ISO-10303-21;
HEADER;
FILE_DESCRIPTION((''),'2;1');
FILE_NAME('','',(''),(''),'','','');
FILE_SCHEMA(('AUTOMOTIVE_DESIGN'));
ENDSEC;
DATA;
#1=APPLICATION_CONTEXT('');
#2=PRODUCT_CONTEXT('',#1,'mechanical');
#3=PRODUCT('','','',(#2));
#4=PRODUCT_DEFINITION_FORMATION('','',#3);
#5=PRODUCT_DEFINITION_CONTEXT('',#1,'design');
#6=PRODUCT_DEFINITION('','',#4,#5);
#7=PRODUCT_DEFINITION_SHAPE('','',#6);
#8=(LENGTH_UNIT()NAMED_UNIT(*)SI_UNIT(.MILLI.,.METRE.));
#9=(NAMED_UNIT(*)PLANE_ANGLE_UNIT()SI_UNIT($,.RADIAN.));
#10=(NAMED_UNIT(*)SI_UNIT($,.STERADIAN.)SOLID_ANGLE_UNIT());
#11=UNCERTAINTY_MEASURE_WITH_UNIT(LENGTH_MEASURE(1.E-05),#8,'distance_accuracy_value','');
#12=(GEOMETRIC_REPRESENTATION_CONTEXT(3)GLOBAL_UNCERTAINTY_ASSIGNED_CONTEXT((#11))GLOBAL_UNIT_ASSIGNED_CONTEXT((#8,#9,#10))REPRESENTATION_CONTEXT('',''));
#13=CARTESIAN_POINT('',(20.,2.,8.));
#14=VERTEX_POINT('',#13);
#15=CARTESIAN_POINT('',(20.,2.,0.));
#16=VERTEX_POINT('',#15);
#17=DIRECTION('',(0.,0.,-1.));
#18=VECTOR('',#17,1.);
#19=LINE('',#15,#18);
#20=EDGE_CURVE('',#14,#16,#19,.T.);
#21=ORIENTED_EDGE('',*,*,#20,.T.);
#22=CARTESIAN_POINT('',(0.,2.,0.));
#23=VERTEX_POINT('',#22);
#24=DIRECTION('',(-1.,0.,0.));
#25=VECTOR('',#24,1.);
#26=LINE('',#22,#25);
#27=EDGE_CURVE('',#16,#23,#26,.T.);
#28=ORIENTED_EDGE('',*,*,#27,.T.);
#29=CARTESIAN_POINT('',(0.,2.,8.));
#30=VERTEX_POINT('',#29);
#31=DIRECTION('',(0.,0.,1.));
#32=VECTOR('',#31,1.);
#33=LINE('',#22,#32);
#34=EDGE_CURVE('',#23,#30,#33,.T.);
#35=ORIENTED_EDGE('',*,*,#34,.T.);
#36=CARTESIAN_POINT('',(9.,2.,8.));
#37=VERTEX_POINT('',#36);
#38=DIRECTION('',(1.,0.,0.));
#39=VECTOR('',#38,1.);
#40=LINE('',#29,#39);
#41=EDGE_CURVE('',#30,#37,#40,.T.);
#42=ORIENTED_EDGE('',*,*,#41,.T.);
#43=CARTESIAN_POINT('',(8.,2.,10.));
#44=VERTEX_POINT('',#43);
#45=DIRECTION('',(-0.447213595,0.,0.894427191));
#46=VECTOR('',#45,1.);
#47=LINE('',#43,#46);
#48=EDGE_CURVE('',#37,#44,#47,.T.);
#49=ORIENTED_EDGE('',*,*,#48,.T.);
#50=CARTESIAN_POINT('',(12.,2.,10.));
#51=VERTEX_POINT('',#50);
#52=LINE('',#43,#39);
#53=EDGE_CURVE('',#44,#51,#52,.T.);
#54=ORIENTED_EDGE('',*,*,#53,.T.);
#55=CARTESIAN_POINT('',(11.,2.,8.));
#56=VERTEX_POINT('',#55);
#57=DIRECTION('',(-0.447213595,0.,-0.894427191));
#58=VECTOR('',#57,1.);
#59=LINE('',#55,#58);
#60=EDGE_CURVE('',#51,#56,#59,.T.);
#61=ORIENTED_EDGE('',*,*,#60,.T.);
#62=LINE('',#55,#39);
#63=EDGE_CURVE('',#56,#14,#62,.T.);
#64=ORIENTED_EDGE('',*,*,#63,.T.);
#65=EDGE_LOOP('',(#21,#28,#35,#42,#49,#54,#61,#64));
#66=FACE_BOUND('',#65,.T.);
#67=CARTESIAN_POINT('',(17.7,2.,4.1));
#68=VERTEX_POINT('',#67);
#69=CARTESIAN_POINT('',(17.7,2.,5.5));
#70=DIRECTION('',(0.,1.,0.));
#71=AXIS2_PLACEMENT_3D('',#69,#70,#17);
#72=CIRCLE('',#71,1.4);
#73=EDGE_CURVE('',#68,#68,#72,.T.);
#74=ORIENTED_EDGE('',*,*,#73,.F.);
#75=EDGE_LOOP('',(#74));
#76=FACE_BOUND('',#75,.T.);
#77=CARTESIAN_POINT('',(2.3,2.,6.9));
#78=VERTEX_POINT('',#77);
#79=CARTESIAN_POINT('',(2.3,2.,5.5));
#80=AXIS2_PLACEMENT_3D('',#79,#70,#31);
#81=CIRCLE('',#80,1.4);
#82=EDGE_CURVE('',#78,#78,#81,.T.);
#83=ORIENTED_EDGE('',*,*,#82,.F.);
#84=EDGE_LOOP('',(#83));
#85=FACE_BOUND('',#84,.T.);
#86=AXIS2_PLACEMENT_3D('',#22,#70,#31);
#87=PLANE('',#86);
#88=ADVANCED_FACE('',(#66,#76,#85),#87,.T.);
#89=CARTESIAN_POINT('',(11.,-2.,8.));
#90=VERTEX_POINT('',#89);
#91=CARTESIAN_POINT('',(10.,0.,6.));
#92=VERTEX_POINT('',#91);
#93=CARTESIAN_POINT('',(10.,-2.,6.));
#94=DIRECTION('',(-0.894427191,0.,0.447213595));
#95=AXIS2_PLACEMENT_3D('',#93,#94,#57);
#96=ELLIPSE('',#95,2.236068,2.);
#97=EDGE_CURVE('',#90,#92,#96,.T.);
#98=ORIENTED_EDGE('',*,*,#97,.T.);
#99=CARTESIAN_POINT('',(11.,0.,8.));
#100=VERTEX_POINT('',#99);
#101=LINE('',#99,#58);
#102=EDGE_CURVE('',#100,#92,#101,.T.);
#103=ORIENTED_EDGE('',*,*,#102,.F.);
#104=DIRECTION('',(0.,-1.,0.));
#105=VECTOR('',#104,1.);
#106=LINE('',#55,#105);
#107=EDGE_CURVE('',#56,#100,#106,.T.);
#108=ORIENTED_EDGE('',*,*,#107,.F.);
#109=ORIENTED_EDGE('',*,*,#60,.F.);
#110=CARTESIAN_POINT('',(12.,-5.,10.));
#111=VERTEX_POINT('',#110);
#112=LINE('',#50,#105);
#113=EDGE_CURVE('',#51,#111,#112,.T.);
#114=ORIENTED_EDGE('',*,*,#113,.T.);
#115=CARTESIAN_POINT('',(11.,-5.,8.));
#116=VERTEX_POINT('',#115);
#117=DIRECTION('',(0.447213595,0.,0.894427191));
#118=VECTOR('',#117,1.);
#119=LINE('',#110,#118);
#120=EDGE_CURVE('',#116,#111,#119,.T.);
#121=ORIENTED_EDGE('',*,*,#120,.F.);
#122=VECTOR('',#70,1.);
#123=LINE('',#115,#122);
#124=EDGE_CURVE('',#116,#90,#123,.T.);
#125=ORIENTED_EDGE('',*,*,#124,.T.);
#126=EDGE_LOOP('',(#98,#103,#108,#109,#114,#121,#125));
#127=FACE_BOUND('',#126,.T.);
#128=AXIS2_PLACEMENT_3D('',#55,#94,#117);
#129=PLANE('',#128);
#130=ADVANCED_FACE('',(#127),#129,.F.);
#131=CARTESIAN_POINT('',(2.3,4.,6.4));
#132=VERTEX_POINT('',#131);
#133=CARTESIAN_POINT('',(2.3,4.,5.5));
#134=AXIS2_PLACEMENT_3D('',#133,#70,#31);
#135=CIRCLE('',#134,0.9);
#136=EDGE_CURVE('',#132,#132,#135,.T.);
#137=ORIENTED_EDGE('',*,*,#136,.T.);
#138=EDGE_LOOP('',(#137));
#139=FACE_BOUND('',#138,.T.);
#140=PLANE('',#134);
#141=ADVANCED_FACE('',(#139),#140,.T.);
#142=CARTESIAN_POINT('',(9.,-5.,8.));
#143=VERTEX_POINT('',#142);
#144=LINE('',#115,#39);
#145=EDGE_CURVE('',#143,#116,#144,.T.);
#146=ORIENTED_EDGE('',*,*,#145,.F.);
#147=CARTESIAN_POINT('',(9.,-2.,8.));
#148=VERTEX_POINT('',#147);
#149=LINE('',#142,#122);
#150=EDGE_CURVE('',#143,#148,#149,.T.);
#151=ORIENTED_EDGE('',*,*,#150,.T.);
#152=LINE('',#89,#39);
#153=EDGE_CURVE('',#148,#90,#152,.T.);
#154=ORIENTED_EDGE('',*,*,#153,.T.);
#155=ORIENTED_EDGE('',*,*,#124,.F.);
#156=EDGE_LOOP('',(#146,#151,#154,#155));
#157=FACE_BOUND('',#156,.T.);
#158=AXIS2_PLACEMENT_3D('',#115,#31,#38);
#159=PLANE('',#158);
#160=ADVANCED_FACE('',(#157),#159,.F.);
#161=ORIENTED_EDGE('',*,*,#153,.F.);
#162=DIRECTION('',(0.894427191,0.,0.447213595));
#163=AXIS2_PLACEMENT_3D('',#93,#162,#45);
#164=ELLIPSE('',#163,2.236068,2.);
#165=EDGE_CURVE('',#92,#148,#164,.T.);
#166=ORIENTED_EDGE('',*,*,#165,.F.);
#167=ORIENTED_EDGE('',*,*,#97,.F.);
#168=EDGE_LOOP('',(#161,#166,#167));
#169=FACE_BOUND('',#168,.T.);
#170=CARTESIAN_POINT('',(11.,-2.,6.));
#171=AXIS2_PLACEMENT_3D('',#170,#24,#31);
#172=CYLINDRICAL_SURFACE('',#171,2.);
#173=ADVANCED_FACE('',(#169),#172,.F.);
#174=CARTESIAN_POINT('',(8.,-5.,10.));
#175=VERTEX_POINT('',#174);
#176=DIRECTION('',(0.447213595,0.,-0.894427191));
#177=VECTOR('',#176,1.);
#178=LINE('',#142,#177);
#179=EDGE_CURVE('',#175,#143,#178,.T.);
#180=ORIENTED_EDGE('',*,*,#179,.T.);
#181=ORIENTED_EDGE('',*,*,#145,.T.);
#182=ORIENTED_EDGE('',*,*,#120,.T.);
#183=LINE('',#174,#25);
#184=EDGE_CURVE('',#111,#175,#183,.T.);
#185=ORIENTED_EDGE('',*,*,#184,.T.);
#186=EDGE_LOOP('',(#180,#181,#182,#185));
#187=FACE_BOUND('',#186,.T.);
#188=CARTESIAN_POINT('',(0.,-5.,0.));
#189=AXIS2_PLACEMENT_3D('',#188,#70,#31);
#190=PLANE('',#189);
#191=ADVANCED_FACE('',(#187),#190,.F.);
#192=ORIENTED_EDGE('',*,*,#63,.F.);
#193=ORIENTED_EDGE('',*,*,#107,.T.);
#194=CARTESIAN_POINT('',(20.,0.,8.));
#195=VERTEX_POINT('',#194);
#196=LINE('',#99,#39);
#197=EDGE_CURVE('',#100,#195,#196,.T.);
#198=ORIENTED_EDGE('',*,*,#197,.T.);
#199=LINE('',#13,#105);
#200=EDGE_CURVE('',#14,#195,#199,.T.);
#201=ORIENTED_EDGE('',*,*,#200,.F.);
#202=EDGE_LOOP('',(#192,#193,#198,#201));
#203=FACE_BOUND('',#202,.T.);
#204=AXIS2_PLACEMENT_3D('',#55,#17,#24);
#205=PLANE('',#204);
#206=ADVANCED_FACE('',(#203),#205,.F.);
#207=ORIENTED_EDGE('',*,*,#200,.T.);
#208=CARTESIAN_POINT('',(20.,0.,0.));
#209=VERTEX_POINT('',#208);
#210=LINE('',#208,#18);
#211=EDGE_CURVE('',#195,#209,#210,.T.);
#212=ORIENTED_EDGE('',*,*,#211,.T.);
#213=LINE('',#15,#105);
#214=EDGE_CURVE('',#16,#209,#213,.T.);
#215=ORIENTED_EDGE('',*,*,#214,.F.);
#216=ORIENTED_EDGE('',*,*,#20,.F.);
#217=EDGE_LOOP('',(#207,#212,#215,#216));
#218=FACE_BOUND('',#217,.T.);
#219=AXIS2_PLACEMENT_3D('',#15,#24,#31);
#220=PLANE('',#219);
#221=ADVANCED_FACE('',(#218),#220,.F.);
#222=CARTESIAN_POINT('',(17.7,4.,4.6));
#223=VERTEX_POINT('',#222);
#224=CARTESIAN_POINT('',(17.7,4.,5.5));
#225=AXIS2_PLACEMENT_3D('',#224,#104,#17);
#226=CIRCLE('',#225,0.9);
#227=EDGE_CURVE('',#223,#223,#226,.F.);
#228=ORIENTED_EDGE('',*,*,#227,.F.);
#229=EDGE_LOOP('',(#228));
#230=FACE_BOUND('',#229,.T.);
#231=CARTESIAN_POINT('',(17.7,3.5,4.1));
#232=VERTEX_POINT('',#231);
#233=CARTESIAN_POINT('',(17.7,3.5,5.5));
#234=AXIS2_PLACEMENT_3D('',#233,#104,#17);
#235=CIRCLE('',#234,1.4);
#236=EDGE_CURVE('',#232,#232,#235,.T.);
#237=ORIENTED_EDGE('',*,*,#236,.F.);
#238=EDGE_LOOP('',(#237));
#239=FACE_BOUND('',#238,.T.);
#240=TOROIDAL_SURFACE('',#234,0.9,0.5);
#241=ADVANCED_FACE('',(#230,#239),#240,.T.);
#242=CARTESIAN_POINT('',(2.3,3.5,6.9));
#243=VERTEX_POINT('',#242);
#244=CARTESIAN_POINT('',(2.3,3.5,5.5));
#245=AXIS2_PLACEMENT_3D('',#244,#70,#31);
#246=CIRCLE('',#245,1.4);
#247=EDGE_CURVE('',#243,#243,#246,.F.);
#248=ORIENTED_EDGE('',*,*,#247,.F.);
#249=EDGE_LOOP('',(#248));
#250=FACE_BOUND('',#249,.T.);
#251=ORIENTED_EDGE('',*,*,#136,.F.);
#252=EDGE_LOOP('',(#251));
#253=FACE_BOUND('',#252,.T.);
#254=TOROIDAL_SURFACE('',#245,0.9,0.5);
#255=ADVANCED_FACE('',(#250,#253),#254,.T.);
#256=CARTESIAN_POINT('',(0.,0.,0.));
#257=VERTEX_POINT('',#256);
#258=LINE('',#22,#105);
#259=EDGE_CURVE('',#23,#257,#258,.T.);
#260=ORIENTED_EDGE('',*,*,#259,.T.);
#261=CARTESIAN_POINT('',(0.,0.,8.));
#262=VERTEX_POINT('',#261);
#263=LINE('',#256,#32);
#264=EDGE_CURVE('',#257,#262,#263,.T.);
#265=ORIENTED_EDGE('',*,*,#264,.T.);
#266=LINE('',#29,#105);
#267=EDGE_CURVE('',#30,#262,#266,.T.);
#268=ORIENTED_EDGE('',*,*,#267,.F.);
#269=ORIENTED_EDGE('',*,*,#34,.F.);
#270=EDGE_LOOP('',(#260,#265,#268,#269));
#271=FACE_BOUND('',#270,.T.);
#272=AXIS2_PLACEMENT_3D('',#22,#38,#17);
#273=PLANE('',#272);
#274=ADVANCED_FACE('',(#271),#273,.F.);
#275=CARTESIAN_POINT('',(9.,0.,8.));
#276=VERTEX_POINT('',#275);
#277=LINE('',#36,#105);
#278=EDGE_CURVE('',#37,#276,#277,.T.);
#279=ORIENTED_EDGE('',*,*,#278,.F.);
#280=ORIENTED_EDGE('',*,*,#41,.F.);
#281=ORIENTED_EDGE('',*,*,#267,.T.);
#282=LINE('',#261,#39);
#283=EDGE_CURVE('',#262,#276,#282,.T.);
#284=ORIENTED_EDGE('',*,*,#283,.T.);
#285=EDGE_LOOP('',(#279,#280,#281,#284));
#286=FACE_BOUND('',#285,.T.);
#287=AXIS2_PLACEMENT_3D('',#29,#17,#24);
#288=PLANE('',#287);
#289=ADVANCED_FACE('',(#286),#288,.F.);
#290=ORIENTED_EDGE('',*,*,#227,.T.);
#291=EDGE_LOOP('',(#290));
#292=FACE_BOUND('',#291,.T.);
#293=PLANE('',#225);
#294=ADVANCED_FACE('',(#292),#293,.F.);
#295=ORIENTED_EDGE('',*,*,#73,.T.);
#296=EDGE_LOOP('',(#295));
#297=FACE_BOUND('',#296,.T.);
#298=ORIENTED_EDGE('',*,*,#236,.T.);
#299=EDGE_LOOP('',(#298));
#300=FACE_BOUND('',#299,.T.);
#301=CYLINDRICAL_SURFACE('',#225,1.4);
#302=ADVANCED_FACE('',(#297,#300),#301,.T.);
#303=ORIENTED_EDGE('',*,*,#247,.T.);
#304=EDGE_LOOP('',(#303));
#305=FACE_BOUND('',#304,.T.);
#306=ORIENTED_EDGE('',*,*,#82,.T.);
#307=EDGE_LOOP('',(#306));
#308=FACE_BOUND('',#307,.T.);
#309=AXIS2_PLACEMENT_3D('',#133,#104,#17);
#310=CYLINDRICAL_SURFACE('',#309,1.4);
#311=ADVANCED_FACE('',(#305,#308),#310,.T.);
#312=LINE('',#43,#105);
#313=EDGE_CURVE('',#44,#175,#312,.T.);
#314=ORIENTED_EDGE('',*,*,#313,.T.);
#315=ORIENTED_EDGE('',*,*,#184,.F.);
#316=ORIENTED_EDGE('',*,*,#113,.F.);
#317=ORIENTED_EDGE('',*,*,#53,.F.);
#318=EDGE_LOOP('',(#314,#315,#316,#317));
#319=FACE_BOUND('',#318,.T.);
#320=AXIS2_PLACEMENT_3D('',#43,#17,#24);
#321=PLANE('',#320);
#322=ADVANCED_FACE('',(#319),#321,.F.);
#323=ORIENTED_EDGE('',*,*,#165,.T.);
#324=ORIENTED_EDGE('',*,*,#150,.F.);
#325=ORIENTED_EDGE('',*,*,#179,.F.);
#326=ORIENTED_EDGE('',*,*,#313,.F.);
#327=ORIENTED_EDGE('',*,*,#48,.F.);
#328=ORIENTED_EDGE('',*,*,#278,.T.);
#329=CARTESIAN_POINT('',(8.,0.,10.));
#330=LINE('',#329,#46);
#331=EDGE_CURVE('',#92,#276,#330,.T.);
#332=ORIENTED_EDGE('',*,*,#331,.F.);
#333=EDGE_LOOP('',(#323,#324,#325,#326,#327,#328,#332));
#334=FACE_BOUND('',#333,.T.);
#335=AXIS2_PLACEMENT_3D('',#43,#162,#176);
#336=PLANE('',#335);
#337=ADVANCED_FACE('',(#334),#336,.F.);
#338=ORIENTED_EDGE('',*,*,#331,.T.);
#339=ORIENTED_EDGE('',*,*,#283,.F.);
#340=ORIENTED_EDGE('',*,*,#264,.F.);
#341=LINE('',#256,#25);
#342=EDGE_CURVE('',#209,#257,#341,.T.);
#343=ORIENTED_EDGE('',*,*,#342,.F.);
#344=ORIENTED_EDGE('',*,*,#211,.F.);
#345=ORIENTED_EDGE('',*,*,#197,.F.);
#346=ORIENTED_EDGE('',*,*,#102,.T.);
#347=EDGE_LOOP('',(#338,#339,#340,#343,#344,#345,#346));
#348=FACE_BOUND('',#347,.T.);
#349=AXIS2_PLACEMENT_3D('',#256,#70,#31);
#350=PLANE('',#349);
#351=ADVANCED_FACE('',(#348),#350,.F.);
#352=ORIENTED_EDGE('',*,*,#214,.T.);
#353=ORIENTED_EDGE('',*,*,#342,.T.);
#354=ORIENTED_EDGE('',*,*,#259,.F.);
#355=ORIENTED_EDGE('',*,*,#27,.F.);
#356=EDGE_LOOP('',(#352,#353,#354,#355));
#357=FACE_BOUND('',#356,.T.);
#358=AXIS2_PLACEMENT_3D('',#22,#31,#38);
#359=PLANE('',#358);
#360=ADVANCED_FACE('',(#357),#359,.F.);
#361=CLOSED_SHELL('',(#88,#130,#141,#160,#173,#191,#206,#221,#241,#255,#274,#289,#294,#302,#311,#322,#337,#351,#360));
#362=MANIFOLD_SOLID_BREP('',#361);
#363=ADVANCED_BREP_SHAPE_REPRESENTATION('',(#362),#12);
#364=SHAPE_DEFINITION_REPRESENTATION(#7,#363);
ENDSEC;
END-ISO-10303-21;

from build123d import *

# Parameters (mm, degrees)
BOSS_EXTRUDE1_DEPTH = 2
SKETCH2_R           = 1.4000000000000001
SKETCH2_R_2         = 1.399999999999999
BOSS_EXTRUDE2_DEPTH = 2
FILLET1_R           = 0.5
BOSS_EXTRUDE3_DEPTH = 5
FILLET2_R           = 2


with BuildPart() as part:
    # Sketch1 → Boss-Extrude1 (new body)
    with BuildSketch(Plane(origin=(0, 0, 0), x_dir=(1, 0, 0), z_dir=(0, 1, 0))):
        Polygon((0, 0), (20, 0), (20, -8), (11.000000000000002, -8), (12, -10), (8.000000000000002, -10), (9.000000000000002, -8), (9.8e-16, -8), align=None)
    extrude(amount=BOSS_EXTRUDE1_DEPTH)

    # Sketch2 → Boss-Extrude2 (add)
    with BuildSketch(Plane(origin=(0, 2, 0), x_dir=(1, 0, 0), z_dir=(0, 1, 0))):
        with Locations(Location((2.3000000000000007, -5.5, 0), (0, 0, 270))):
            Circle(SKETCH2_R)
        with Locations(Location((17.7, -5.499999999999998, 0), (0, 0, 90))):
            Circle(SKETCH2_R_2)
    extrude(amount=BOSS_EXTRUDE2_DEPTH)

    # Fillet1
    fillet1_edges = [part.edges().sort_by_distance(p)[0] for p in [
        (2.3000000000000016, 4, 4.1),
        (17.7, 4, 6.899999999999997),
    ]]
    fillet(fillet1_edges, radius=FILLET1_R)

    # Sketch3 → Boss-Extrude3 (add)
    with BuildSketch(Plane.XZ):
        Polygon((8.000000000000002, 10), (12, 10), (11.000000000000002, 8), (9.000000000000002, 8), align=None)
    extrude(amount=BOSS_EXTRUDE3_DEPTH)

    # Fillet2
    fillet2_edges = [part.edges().sort_by_distance(p)[0] for p in [
        (10.000000000000002, 0, 8),
    ]]
    fillet(fillet2_edges, radius=FILLET2_R)


solid = part.part
